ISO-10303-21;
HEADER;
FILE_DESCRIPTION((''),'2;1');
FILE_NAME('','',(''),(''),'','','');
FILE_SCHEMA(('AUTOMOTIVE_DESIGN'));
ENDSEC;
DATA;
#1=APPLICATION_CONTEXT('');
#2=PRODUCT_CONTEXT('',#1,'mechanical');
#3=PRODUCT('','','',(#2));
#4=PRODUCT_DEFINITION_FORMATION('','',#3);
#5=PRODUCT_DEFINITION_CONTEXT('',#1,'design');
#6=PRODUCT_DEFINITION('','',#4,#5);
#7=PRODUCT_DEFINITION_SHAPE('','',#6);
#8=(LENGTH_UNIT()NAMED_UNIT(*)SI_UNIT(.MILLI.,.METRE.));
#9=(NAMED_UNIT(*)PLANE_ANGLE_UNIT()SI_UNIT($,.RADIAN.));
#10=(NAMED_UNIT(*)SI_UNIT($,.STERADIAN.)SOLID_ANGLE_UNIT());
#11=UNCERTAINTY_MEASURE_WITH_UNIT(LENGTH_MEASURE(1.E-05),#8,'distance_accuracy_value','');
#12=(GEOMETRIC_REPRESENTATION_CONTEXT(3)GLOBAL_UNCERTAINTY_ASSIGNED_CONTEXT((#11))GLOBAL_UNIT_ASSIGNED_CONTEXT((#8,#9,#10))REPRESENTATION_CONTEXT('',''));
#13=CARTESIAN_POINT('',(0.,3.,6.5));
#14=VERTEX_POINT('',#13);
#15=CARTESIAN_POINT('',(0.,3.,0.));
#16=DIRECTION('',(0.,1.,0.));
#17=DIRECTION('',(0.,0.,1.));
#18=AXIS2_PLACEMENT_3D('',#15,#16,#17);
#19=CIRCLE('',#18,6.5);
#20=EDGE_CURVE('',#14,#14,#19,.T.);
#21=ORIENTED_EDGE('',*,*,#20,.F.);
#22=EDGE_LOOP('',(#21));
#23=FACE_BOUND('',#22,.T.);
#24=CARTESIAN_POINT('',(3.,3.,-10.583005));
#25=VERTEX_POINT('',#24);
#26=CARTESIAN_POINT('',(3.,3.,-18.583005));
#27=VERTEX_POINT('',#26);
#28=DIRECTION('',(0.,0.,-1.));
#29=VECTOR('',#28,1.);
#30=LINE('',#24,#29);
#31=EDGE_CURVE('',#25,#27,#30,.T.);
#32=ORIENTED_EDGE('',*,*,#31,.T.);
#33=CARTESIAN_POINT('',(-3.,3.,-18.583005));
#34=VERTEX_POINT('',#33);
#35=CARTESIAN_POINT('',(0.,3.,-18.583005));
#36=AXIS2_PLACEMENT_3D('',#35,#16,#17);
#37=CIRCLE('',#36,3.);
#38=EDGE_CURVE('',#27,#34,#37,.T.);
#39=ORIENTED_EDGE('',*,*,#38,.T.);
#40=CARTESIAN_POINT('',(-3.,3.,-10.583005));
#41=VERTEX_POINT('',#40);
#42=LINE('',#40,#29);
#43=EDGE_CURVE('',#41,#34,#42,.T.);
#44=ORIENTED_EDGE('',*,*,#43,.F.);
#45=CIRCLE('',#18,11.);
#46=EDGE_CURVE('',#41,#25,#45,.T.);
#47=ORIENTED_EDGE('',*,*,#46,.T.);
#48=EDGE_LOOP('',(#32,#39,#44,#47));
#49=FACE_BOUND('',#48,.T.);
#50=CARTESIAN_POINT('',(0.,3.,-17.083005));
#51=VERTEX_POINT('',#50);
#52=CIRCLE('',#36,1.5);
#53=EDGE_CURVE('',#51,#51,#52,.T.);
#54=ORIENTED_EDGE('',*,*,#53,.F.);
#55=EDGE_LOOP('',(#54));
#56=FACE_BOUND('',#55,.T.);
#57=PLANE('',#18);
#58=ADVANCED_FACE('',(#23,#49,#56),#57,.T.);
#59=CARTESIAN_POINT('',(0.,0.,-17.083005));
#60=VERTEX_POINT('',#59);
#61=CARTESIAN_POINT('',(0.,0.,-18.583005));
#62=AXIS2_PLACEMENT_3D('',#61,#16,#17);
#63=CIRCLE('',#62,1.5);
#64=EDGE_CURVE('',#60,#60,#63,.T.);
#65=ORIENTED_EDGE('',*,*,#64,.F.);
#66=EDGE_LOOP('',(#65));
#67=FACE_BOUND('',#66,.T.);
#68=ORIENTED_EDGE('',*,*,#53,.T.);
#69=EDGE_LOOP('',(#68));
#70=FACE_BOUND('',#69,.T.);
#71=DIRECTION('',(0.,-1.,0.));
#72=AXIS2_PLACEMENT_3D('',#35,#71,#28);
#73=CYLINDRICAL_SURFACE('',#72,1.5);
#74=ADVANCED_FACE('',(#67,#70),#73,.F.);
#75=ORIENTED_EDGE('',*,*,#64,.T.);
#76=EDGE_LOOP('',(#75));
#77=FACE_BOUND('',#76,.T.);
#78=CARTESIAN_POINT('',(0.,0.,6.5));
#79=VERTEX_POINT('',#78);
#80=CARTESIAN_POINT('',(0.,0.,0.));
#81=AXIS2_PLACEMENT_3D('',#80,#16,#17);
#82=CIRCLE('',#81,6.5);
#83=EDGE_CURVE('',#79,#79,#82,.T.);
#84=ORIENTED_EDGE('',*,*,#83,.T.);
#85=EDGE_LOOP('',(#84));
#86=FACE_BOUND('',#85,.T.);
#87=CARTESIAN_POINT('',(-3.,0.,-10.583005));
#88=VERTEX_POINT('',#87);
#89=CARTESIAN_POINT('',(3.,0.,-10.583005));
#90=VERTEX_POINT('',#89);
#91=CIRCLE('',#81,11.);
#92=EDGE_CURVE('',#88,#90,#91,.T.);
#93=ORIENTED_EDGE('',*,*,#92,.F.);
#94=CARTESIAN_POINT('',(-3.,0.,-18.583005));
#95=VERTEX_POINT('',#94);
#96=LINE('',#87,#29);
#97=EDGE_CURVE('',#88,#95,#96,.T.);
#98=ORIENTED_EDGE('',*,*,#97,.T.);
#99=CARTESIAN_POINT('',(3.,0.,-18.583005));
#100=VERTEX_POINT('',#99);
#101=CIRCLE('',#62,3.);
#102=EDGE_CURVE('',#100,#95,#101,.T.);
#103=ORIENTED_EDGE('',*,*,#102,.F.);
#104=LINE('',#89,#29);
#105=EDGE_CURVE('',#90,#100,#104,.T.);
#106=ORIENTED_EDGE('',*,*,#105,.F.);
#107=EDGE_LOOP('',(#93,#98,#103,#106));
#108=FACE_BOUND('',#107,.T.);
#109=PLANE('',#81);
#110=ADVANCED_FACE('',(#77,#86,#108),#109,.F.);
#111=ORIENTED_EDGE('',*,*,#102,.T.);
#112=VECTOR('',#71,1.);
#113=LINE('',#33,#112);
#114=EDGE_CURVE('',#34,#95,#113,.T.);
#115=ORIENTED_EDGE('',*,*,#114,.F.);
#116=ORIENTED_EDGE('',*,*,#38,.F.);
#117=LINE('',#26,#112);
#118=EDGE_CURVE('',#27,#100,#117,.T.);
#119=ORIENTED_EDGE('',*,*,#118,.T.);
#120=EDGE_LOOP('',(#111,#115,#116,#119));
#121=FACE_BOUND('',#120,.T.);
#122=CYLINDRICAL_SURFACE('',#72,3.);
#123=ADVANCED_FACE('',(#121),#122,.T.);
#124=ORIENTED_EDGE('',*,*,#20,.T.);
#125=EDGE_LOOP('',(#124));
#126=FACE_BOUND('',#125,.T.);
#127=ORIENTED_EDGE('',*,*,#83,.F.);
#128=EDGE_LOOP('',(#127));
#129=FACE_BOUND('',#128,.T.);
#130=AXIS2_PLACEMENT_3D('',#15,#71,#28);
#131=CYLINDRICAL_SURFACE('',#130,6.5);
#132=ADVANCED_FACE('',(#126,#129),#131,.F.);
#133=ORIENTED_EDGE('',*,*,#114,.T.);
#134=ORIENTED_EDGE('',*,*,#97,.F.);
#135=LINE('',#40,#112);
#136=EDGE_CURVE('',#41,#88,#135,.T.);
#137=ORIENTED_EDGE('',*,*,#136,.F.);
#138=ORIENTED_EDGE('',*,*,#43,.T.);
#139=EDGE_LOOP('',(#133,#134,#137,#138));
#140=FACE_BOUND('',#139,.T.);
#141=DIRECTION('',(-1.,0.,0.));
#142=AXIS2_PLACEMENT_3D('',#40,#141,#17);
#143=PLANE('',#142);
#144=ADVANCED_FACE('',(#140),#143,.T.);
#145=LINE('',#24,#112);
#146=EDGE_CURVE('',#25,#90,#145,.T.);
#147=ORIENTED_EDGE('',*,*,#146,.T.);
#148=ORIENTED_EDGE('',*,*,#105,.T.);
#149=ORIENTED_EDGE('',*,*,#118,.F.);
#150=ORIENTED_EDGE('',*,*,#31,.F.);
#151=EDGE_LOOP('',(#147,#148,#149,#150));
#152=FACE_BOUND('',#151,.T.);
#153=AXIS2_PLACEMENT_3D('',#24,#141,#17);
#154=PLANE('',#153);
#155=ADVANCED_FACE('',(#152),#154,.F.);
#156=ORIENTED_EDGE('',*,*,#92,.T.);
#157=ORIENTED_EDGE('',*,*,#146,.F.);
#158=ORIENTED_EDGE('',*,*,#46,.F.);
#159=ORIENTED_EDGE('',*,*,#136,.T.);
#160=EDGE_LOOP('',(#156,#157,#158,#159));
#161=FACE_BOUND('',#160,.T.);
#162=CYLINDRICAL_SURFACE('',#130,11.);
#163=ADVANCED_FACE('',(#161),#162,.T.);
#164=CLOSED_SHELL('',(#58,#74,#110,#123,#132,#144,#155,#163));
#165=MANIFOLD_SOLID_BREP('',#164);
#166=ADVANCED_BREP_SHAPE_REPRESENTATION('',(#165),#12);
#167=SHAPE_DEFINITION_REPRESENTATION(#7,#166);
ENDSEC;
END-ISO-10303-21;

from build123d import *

# Parameters (mm, degrees)
SKETCH1_R           = 6.5
SKETCH1_R_2         = 1.5
BOSS_EXTRUDE1_DEPTH = 3


with BuildPart() as part:
    # Sketch1 → Boss-Extrude1 (new body)
    with BuildSketch(Plane(origin=(0, 0, 0), x_dir=(1, 0, 0), z_dir=(0, 1, 0))):
        with BuildLine():
            Line((3, 10.583005244), (3, 18.583005244))
            ThreePointArc((3, 18.583005244), (0, 21.583005244), (-3, 18.583005244))
            Line((-3, 18.583005244), (-3, 10.583005244))
            ThreePointArc((-3, 10.583005244), (0, -11), (3, 10.583005244))
        make_face()
        Circle(SKETCH1_R, mode=Mode.SUBTRACT)
        with Locations((0, 18.583005244)):
            Circle(SKETCH1_R_2, mode=Mode.SUBTRACT)
    extrude(amount=BOSS_EXTRUDE1_DEPTH)


solid = part.part
